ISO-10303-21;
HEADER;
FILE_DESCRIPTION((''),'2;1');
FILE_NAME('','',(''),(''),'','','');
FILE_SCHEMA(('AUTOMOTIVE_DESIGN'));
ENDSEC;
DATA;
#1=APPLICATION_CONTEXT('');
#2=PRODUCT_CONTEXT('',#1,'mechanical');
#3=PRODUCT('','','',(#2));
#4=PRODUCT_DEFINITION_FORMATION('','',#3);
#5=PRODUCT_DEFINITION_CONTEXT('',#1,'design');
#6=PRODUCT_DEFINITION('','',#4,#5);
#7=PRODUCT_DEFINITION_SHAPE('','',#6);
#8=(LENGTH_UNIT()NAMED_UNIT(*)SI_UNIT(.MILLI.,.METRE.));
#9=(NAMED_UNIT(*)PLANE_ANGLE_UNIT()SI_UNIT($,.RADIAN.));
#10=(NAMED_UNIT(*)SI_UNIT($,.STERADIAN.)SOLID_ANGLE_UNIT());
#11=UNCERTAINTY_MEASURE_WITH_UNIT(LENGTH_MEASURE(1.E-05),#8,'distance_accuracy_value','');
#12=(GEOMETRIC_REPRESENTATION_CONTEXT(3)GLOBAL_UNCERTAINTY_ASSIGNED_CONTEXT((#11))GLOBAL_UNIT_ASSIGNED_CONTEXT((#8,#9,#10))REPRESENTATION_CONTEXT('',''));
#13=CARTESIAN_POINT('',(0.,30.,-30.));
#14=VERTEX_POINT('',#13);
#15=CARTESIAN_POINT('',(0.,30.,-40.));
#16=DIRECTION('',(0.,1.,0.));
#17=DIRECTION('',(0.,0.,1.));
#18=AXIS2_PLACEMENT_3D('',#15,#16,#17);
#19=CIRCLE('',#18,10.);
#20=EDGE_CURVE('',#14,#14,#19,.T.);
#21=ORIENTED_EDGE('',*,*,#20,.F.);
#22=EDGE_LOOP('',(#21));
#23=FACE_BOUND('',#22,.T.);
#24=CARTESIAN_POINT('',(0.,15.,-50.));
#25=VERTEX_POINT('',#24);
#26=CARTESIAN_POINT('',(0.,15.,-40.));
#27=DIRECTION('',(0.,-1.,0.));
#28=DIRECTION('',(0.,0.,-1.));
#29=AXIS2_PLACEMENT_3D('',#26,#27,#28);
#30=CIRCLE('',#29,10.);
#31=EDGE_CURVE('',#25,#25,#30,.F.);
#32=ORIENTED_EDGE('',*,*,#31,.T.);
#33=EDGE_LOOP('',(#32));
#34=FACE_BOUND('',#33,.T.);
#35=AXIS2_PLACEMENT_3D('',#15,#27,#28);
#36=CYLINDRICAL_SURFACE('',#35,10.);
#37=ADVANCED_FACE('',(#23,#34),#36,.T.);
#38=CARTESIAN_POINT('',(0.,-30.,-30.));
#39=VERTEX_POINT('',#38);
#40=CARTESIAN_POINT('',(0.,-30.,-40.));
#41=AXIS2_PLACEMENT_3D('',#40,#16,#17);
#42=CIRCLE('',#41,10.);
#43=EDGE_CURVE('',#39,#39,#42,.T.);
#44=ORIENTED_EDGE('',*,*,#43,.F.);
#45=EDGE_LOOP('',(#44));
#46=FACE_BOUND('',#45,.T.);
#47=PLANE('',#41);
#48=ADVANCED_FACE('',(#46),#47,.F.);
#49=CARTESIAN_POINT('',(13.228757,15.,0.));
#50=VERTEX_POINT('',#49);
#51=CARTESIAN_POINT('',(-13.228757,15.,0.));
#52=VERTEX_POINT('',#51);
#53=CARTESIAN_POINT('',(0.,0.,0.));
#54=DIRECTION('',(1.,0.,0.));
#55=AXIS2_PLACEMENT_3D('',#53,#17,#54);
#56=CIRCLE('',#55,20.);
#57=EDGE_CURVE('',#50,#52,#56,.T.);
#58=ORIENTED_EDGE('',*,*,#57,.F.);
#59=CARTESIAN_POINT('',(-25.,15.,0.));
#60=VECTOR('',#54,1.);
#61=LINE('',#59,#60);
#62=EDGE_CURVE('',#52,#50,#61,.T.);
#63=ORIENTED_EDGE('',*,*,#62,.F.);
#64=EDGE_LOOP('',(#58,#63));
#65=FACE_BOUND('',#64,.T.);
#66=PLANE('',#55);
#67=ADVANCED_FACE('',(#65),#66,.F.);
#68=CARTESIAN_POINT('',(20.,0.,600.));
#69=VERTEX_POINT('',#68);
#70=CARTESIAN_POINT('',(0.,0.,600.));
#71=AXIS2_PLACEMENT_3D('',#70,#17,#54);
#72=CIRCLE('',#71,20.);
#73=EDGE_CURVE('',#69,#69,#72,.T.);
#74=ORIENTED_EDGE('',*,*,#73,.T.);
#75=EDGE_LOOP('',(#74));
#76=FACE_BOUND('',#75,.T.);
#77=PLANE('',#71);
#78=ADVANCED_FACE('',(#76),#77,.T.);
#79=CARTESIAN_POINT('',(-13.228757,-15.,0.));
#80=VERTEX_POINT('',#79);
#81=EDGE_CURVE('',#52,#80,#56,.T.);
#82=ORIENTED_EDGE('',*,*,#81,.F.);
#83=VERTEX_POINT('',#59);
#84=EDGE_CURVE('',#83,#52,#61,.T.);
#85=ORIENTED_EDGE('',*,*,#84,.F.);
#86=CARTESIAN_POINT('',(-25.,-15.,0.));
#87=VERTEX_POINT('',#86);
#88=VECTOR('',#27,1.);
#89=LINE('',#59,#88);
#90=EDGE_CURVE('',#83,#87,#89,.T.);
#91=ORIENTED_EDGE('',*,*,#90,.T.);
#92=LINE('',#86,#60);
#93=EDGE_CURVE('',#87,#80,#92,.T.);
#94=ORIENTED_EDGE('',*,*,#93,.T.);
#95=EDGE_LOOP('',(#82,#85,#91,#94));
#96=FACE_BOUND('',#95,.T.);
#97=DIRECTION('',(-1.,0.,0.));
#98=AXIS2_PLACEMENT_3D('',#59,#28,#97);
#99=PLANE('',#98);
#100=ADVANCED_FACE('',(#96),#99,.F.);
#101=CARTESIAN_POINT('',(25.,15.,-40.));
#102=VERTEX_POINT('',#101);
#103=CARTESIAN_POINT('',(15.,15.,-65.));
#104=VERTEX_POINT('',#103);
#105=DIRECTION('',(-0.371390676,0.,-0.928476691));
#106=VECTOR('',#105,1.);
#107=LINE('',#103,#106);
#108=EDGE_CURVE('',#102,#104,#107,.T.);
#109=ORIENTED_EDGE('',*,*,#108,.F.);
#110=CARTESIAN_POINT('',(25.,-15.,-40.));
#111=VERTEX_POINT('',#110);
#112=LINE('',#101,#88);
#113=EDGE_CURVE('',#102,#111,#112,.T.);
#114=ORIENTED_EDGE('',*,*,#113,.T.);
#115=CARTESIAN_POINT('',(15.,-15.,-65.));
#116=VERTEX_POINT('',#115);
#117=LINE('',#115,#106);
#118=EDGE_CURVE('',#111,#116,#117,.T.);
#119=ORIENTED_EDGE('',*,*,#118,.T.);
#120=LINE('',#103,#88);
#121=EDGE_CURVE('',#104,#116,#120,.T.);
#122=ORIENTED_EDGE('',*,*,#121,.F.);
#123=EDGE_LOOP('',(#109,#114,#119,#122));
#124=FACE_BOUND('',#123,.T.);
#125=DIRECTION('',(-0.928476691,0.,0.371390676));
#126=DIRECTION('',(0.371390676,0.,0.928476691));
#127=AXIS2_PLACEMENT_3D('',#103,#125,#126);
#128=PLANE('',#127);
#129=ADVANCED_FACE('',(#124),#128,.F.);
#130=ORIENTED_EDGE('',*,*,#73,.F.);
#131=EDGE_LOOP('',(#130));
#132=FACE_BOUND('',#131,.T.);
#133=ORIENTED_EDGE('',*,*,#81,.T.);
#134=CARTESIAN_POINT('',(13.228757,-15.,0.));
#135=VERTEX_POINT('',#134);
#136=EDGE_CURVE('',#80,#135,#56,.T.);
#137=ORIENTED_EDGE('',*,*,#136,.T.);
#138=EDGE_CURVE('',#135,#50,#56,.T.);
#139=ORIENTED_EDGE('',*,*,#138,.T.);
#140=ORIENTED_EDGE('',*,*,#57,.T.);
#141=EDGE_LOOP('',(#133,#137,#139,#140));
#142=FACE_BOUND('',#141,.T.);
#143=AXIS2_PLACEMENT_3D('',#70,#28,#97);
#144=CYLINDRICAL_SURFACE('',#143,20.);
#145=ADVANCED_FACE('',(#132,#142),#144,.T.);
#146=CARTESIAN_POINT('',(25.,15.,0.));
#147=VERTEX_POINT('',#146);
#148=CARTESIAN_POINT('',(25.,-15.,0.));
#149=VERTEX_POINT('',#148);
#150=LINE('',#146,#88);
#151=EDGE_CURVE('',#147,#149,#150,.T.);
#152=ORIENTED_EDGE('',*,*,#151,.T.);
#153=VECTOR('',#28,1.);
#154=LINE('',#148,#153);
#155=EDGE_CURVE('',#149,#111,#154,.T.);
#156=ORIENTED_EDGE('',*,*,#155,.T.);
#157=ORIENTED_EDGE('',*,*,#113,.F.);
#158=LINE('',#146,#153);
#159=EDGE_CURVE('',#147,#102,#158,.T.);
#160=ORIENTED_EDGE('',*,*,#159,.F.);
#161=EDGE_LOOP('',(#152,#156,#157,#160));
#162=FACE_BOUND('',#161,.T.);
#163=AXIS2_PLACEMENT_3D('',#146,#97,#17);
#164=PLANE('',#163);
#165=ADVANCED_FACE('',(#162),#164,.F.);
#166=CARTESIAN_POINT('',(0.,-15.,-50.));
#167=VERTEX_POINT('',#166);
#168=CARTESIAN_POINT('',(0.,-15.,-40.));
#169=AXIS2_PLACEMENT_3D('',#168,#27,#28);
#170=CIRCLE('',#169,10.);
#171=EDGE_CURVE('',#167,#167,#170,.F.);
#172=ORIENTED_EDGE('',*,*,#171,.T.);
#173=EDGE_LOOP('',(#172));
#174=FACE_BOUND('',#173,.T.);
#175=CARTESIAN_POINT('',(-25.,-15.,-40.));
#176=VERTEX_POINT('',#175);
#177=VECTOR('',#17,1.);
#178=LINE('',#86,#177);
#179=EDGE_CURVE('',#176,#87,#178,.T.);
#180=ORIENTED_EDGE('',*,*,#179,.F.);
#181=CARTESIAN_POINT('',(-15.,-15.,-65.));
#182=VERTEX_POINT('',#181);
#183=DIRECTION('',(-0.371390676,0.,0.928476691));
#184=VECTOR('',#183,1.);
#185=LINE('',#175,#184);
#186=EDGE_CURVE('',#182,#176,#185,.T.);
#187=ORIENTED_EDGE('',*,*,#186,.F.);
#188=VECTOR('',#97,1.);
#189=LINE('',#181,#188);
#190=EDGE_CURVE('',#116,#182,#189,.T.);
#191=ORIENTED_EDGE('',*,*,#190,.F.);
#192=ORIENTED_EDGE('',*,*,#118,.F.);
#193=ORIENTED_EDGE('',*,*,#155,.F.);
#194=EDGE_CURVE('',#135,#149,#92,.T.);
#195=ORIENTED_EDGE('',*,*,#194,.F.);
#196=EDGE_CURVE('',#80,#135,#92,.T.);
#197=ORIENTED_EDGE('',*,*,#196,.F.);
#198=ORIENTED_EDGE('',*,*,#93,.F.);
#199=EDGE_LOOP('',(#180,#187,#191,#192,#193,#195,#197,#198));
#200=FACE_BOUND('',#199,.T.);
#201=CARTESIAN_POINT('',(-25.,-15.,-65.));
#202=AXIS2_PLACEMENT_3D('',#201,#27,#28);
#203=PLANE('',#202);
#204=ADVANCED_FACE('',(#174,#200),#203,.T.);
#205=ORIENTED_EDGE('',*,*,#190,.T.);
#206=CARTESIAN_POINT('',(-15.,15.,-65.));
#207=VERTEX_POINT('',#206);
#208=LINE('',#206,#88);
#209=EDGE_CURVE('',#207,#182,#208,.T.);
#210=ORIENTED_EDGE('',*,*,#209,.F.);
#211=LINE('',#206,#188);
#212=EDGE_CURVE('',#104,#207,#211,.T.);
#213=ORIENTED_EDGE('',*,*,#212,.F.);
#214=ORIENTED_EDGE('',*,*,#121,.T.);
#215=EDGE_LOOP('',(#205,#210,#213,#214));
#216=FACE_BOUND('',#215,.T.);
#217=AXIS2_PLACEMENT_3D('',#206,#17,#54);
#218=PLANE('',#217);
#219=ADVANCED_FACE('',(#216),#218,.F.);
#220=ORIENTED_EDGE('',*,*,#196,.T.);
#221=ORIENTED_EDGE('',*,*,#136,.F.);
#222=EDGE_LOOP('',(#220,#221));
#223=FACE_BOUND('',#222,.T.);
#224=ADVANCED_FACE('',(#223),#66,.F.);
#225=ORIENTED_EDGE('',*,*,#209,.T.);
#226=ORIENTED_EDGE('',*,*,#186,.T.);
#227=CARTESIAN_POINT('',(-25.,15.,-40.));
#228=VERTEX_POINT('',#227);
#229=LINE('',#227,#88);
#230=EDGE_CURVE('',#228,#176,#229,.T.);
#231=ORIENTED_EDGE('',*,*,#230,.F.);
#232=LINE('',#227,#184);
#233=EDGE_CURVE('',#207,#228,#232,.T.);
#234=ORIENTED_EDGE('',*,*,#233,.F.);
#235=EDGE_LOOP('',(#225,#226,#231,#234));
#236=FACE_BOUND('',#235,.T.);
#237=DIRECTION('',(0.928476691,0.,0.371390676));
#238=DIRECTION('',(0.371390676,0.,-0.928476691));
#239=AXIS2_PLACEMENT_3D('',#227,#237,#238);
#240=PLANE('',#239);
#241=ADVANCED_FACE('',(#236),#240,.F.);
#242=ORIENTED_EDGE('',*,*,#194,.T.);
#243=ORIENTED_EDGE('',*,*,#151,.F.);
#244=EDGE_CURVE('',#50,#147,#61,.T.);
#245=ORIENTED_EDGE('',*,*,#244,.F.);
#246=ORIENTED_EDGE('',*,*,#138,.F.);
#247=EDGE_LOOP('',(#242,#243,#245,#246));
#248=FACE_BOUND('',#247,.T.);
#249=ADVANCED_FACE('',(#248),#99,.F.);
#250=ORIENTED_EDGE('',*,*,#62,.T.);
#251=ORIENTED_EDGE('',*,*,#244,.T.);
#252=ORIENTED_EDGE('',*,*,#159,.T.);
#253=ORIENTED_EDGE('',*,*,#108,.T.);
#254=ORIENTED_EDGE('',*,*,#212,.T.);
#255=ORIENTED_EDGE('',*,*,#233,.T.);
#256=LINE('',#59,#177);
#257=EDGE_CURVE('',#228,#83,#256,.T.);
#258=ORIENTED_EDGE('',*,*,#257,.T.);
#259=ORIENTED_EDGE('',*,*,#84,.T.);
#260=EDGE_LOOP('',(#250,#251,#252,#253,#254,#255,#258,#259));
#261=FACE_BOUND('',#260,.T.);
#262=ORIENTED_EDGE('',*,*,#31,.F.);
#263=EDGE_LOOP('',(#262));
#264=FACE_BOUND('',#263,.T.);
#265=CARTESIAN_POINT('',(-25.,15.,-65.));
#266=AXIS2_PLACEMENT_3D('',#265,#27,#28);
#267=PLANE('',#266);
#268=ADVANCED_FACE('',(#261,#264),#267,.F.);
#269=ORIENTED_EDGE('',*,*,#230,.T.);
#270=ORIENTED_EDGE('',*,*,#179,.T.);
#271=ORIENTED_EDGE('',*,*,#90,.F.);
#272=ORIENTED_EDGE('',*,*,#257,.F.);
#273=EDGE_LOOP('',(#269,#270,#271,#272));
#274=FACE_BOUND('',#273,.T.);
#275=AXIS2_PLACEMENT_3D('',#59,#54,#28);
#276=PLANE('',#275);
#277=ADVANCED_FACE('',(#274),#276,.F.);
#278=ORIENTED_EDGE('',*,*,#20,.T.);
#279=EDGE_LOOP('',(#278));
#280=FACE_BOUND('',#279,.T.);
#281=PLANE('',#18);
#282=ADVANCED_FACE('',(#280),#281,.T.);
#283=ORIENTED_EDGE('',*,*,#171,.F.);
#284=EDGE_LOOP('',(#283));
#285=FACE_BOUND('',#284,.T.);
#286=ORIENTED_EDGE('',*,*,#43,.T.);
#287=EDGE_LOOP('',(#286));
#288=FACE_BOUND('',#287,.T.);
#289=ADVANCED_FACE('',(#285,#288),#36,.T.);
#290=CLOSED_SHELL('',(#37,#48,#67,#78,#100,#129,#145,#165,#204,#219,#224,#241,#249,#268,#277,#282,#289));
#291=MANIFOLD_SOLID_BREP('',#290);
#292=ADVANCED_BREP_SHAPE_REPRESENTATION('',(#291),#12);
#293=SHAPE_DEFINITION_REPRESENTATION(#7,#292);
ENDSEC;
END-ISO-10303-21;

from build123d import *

# Parameters (mm, degrees)
SKETCH1_R           = 20
BOSS_EXTRUDE1_DEPTH = 600
BOSS_EXTRUDE2_DEPTH = 15
SKETCH3_R           = 10
BOSS_EXTRUDE3_DEPTH = 30


with BuildPart() as part:
    # Sketch1 → Boss-Extrude1 (new body)
    with BuildSketch(Plane.XY):
        Circle(SKETCH1_R)
    extrude(amount=BOSS_EXTRUDE1_DEPTH)

    # Sketch2 → Boss-Extrude2 (add, symmetric)
    with BuildSketch(Plane(origin=(0, 0, 0), x_dir=(1, 0, 0), z_dir=(0, 1, 0))):
        Polygon((-25, 40), (-15, 65), (15, 65), (25, 40), (25, 0), (-25, 0), align=None)
    extrude(amount=BOSS_EXTRUDE2_DEPTH, both=True)

    # Sketch3 → Boss-Extrude3 (add, symmetric)
    with BuildSketch(Plane(origin=(0, 0, 0), x_dir=(1, 0, 0), z_dir=(0, 1, 0))):
        with Locations(Location((0, 40, 0), (0, 0, 90))):
            Circle(SKETCH3_R)
    extrude(amount=BOSS_EXTRUDE3_DEPTH, both=True)


solid = part.part
